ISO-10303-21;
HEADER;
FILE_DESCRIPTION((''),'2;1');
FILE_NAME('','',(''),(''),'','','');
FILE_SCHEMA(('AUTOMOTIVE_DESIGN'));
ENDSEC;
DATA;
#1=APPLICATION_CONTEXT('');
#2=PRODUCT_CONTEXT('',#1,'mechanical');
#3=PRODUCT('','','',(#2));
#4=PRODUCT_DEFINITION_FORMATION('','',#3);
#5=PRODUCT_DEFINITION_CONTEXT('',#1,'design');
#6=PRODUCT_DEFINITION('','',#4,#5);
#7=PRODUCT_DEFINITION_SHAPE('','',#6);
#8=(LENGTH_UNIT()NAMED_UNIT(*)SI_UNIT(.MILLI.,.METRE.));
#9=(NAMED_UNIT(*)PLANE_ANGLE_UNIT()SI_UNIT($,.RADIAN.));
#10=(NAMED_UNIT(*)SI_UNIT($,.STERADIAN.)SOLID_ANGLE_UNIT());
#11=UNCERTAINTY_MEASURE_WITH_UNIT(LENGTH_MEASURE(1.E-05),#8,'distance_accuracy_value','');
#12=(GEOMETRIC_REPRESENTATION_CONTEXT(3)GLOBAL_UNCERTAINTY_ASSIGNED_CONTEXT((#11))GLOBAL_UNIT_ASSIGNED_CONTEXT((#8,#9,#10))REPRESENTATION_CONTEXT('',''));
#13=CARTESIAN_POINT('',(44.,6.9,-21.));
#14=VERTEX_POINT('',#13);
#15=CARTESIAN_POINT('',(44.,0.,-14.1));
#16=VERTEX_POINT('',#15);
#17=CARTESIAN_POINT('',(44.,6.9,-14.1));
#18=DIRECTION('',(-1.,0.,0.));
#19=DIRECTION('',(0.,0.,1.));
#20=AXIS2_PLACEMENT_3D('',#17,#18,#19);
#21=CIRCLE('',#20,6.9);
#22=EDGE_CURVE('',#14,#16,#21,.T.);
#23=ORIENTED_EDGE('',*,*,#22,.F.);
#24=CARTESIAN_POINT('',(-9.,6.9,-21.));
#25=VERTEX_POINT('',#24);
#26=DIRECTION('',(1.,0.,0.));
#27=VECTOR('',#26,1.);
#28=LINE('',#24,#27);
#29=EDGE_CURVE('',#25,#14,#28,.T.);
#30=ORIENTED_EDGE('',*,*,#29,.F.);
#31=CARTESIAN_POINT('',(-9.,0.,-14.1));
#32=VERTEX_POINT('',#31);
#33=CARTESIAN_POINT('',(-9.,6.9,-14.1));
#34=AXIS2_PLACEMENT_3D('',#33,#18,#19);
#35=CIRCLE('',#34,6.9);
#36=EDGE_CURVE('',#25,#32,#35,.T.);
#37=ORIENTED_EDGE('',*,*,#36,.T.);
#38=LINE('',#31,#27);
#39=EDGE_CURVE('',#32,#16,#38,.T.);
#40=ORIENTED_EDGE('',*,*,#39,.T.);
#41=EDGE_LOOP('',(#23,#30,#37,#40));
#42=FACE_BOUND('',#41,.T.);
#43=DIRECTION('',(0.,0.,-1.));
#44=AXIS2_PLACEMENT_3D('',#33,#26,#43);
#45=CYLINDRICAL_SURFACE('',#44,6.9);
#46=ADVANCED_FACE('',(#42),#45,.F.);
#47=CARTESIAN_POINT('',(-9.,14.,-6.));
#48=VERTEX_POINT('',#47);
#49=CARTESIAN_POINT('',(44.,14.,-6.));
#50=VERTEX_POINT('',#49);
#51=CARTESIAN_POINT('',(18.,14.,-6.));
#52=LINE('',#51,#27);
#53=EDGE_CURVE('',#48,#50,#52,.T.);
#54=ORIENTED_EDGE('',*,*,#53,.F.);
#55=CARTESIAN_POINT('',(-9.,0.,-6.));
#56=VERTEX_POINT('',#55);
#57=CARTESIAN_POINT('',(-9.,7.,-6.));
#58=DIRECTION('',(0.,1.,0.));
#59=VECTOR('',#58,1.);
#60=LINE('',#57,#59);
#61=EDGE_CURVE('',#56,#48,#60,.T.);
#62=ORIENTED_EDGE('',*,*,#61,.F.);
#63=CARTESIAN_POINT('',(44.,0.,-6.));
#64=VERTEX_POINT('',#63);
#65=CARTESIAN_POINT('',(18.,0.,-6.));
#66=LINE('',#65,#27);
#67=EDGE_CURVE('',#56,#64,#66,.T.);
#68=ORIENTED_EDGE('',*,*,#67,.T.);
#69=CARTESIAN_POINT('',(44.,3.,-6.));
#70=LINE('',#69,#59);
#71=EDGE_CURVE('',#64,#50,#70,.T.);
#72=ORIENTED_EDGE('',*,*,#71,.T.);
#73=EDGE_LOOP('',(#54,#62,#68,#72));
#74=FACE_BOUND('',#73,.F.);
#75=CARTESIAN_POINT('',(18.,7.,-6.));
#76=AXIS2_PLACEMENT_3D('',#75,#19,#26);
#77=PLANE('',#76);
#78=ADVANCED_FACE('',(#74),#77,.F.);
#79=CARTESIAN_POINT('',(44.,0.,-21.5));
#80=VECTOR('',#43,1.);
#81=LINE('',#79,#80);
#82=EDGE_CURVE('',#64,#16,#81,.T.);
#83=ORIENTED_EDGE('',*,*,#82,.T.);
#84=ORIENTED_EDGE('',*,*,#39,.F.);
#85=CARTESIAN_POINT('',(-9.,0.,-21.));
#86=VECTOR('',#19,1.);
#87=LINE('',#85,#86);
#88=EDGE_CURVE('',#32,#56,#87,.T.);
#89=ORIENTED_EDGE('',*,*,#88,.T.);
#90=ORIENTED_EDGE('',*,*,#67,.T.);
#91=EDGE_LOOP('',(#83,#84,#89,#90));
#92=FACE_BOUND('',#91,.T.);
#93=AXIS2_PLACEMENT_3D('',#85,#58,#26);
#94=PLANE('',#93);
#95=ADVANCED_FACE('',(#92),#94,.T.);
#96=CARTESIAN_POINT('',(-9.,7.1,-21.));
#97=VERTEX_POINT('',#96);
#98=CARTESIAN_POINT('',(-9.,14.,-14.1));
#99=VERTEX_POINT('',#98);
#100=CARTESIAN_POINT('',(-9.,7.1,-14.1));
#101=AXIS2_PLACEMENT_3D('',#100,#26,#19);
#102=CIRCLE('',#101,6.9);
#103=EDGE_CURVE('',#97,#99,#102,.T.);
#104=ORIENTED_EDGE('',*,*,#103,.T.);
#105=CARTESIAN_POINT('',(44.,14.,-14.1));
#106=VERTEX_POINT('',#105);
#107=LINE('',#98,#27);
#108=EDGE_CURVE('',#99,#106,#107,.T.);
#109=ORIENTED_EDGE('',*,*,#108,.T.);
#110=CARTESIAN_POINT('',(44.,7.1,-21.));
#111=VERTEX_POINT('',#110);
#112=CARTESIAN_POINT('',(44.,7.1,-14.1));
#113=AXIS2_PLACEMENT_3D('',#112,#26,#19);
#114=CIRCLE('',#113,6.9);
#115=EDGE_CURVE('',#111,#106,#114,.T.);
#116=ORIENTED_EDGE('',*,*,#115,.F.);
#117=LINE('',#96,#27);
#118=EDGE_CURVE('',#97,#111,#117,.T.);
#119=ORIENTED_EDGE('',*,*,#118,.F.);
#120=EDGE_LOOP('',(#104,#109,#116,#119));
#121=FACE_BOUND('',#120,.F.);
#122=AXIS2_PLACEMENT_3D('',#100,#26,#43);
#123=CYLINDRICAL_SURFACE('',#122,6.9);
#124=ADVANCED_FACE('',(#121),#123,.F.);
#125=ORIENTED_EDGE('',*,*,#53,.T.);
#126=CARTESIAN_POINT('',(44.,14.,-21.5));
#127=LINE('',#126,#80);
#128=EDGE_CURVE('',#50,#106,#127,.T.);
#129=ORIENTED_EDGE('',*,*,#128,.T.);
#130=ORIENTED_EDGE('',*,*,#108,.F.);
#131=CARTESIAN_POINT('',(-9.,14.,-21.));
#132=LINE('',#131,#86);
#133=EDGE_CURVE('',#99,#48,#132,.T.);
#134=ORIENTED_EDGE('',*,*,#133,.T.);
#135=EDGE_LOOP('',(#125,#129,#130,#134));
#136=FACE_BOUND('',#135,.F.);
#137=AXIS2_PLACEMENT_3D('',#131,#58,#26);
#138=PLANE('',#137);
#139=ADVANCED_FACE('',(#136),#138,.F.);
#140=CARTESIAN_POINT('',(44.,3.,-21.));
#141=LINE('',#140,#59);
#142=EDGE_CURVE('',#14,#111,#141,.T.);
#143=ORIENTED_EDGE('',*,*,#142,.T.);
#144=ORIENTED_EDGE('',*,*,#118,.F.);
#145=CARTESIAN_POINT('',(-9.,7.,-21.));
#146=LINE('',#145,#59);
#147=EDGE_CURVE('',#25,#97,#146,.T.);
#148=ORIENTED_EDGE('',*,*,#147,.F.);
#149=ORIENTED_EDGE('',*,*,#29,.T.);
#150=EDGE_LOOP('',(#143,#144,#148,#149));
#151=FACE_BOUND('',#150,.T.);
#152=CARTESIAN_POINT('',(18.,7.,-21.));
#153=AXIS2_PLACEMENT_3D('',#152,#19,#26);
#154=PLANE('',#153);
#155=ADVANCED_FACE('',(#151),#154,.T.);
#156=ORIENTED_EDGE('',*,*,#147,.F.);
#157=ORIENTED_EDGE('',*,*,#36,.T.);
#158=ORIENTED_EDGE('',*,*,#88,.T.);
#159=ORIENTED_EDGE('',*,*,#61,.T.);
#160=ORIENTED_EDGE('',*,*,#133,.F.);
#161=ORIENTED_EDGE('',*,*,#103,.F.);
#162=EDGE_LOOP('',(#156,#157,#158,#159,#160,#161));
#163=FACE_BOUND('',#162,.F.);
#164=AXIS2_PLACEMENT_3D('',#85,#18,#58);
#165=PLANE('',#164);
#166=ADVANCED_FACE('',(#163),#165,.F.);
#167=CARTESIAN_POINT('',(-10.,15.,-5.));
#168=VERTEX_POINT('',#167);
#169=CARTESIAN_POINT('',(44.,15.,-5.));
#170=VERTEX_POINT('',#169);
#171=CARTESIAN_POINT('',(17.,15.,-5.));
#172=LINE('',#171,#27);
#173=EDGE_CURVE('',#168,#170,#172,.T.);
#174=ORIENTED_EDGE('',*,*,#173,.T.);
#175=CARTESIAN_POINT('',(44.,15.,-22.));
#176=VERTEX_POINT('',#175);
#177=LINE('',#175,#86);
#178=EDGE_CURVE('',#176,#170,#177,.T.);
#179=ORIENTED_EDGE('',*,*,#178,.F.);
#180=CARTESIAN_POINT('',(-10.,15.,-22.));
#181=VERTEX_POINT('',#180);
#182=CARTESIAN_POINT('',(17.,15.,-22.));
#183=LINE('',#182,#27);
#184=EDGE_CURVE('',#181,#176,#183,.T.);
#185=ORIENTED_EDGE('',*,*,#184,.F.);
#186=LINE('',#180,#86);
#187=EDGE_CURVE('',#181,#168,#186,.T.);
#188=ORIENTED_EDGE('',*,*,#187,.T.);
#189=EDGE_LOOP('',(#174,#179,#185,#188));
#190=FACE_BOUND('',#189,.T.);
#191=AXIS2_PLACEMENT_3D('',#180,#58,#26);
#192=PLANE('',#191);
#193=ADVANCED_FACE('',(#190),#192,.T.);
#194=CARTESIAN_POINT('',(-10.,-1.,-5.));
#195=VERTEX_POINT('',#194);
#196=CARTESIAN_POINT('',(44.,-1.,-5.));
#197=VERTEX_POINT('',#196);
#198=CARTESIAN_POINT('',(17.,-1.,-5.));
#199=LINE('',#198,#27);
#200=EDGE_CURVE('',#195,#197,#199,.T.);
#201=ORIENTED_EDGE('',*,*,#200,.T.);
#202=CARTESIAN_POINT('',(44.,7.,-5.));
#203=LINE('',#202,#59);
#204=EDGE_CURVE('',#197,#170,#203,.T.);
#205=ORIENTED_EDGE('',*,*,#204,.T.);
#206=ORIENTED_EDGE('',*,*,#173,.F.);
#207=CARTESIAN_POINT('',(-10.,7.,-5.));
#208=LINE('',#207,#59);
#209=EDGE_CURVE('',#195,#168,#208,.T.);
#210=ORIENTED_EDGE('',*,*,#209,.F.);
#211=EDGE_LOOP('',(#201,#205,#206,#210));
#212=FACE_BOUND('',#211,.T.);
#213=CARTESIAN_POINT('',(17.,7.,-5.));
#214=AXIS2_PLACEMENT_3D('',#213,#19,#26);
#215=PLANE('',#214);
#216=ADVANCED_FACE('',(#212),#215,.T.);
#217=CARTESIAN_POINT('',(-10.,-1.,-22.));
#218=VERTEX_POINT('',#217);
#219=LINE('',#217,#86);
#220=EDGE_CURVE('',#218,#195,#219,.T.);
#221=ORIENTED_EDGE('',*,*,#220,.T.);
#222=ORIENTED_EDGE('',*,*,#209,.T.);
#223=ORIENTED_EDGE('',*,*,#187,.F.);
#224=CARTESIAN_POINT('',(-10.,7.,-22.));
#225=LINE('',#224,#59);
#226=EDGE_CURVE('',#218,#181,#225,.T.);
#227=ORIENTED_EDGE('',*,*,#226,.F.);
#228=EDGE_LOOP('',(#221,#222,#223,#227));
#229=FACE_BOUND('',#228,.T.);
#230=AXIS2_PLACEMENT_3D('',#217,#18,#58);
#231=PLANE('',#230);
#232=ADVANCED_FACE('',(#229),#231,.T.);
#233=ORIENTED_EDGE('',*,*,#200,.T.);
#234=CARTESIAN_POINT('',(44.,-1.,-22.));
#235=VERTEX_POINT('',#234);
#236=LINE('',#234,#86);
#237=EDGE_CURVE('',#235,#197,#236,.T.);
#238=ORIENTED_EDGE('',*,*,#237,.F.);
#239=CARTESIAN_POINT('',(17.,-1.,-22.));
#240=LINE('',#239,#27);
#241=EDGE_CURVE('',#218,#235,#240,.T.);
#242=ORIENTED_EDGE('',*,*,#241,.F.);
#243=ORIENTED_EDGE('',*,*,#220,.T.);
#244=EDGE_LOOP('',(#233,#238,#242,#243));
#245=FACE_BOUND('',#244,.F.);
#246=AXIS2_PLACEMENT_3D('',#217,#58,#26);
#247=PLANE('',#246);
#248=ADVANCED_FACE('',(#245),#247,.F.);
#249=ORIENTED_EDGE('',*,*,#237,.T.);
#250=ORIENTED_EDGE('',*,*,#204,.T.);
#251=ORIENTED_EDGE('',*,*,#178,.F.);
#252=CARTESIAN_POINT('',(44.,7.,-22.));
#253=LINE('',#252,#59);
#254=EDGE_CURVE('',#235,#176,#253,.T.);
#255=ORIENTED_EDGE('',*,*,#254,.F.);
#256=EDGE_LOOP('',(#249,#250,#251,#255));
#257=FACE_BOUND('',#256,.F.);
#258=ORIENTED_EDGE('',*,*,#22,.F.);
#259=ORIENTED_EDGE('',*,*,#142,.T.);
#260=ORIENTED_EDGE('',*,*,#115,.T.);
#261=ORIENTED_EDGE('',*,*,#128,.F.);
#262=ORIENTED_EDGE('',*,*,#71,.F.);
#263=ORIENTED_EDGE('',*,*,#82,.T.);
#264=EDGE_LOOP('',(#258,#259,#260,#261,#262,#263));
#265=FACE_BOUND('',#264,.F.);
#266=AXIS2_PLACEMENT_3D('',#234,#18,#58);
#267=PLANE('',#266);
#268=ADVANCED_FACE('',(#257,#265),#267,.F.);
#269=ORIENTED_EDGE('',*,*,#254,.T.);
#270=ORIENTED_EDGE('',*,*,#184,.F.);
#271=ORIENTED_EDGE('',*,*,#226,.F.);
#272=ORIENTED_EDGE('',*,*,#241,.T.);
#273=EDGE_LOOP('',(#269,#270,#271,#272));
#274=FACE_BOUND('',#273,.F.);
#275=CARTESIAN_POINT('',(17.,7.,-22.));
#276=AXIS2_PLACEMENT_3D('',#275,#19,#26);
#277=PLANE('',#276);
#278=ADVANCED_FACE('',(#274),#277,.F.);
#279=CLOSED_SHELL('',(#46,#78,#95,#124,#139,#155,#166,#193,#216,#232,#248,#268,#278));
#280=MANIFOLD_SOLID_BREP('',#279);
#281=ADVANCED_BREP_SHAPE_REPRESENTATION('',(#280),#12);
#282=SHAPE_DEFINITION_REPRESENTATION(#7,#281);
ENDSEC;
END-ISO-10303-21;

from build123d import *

# Parameters (mm, degrees)
BOX031_W     = 54
BOX031_H     = 14
BOX031_DEPTH = 15
BOX022_W     = 54
BOX022_H     = 16
BOX022_DEPTH = 17
FILLET_R     = 6.9
FILLET001_R  = 6.9


with BuildPart() as batterypack003:
    # Box031 → Box031 (new body)
    with BuildSketch(Plane(origin=(-9, 0, -21), x_dir=(1, 0, 0), z_dir=(0, 0, 1))):
        with Locations((27, 7)):
            Rectangle(BOX031_W, BOX031_H)
    extrude(amount=BOX031_DEPTH)


with BuildPart() as fillet001:
    # Box022 → Box022 (new body)
    with BuildSketch(Plane(origin=(-10, -1, -22), x_dir=(1, 0, 0), z_dir=(0, 0, 1))):
        with Locations((27, 8)):
            Rectangle(BOX022_W, BOX022_H)
    extrude(amount=BOX022_DEPTH)

    # Cut: cut BatteryPack003
    add(batterypack003.part, mode=Mode.SUBTRACT)

    # Fillet
    fillet_edges = [fillet001.edges().sort_by_distance(p)[0] for p in [
        (17.5, 0, -21),
    ]]
    fillet(fillet_edges, radius=FILLET_R)

    # Fillet001
    fillet001_edges = [fillet001.edges().sort_by_distance(p)[0] for p in [
        (17.5, 14, -21),
    ]]
    fillet(fillet001_edges, radius=FILLET001_R)


solid = fillet001.part
